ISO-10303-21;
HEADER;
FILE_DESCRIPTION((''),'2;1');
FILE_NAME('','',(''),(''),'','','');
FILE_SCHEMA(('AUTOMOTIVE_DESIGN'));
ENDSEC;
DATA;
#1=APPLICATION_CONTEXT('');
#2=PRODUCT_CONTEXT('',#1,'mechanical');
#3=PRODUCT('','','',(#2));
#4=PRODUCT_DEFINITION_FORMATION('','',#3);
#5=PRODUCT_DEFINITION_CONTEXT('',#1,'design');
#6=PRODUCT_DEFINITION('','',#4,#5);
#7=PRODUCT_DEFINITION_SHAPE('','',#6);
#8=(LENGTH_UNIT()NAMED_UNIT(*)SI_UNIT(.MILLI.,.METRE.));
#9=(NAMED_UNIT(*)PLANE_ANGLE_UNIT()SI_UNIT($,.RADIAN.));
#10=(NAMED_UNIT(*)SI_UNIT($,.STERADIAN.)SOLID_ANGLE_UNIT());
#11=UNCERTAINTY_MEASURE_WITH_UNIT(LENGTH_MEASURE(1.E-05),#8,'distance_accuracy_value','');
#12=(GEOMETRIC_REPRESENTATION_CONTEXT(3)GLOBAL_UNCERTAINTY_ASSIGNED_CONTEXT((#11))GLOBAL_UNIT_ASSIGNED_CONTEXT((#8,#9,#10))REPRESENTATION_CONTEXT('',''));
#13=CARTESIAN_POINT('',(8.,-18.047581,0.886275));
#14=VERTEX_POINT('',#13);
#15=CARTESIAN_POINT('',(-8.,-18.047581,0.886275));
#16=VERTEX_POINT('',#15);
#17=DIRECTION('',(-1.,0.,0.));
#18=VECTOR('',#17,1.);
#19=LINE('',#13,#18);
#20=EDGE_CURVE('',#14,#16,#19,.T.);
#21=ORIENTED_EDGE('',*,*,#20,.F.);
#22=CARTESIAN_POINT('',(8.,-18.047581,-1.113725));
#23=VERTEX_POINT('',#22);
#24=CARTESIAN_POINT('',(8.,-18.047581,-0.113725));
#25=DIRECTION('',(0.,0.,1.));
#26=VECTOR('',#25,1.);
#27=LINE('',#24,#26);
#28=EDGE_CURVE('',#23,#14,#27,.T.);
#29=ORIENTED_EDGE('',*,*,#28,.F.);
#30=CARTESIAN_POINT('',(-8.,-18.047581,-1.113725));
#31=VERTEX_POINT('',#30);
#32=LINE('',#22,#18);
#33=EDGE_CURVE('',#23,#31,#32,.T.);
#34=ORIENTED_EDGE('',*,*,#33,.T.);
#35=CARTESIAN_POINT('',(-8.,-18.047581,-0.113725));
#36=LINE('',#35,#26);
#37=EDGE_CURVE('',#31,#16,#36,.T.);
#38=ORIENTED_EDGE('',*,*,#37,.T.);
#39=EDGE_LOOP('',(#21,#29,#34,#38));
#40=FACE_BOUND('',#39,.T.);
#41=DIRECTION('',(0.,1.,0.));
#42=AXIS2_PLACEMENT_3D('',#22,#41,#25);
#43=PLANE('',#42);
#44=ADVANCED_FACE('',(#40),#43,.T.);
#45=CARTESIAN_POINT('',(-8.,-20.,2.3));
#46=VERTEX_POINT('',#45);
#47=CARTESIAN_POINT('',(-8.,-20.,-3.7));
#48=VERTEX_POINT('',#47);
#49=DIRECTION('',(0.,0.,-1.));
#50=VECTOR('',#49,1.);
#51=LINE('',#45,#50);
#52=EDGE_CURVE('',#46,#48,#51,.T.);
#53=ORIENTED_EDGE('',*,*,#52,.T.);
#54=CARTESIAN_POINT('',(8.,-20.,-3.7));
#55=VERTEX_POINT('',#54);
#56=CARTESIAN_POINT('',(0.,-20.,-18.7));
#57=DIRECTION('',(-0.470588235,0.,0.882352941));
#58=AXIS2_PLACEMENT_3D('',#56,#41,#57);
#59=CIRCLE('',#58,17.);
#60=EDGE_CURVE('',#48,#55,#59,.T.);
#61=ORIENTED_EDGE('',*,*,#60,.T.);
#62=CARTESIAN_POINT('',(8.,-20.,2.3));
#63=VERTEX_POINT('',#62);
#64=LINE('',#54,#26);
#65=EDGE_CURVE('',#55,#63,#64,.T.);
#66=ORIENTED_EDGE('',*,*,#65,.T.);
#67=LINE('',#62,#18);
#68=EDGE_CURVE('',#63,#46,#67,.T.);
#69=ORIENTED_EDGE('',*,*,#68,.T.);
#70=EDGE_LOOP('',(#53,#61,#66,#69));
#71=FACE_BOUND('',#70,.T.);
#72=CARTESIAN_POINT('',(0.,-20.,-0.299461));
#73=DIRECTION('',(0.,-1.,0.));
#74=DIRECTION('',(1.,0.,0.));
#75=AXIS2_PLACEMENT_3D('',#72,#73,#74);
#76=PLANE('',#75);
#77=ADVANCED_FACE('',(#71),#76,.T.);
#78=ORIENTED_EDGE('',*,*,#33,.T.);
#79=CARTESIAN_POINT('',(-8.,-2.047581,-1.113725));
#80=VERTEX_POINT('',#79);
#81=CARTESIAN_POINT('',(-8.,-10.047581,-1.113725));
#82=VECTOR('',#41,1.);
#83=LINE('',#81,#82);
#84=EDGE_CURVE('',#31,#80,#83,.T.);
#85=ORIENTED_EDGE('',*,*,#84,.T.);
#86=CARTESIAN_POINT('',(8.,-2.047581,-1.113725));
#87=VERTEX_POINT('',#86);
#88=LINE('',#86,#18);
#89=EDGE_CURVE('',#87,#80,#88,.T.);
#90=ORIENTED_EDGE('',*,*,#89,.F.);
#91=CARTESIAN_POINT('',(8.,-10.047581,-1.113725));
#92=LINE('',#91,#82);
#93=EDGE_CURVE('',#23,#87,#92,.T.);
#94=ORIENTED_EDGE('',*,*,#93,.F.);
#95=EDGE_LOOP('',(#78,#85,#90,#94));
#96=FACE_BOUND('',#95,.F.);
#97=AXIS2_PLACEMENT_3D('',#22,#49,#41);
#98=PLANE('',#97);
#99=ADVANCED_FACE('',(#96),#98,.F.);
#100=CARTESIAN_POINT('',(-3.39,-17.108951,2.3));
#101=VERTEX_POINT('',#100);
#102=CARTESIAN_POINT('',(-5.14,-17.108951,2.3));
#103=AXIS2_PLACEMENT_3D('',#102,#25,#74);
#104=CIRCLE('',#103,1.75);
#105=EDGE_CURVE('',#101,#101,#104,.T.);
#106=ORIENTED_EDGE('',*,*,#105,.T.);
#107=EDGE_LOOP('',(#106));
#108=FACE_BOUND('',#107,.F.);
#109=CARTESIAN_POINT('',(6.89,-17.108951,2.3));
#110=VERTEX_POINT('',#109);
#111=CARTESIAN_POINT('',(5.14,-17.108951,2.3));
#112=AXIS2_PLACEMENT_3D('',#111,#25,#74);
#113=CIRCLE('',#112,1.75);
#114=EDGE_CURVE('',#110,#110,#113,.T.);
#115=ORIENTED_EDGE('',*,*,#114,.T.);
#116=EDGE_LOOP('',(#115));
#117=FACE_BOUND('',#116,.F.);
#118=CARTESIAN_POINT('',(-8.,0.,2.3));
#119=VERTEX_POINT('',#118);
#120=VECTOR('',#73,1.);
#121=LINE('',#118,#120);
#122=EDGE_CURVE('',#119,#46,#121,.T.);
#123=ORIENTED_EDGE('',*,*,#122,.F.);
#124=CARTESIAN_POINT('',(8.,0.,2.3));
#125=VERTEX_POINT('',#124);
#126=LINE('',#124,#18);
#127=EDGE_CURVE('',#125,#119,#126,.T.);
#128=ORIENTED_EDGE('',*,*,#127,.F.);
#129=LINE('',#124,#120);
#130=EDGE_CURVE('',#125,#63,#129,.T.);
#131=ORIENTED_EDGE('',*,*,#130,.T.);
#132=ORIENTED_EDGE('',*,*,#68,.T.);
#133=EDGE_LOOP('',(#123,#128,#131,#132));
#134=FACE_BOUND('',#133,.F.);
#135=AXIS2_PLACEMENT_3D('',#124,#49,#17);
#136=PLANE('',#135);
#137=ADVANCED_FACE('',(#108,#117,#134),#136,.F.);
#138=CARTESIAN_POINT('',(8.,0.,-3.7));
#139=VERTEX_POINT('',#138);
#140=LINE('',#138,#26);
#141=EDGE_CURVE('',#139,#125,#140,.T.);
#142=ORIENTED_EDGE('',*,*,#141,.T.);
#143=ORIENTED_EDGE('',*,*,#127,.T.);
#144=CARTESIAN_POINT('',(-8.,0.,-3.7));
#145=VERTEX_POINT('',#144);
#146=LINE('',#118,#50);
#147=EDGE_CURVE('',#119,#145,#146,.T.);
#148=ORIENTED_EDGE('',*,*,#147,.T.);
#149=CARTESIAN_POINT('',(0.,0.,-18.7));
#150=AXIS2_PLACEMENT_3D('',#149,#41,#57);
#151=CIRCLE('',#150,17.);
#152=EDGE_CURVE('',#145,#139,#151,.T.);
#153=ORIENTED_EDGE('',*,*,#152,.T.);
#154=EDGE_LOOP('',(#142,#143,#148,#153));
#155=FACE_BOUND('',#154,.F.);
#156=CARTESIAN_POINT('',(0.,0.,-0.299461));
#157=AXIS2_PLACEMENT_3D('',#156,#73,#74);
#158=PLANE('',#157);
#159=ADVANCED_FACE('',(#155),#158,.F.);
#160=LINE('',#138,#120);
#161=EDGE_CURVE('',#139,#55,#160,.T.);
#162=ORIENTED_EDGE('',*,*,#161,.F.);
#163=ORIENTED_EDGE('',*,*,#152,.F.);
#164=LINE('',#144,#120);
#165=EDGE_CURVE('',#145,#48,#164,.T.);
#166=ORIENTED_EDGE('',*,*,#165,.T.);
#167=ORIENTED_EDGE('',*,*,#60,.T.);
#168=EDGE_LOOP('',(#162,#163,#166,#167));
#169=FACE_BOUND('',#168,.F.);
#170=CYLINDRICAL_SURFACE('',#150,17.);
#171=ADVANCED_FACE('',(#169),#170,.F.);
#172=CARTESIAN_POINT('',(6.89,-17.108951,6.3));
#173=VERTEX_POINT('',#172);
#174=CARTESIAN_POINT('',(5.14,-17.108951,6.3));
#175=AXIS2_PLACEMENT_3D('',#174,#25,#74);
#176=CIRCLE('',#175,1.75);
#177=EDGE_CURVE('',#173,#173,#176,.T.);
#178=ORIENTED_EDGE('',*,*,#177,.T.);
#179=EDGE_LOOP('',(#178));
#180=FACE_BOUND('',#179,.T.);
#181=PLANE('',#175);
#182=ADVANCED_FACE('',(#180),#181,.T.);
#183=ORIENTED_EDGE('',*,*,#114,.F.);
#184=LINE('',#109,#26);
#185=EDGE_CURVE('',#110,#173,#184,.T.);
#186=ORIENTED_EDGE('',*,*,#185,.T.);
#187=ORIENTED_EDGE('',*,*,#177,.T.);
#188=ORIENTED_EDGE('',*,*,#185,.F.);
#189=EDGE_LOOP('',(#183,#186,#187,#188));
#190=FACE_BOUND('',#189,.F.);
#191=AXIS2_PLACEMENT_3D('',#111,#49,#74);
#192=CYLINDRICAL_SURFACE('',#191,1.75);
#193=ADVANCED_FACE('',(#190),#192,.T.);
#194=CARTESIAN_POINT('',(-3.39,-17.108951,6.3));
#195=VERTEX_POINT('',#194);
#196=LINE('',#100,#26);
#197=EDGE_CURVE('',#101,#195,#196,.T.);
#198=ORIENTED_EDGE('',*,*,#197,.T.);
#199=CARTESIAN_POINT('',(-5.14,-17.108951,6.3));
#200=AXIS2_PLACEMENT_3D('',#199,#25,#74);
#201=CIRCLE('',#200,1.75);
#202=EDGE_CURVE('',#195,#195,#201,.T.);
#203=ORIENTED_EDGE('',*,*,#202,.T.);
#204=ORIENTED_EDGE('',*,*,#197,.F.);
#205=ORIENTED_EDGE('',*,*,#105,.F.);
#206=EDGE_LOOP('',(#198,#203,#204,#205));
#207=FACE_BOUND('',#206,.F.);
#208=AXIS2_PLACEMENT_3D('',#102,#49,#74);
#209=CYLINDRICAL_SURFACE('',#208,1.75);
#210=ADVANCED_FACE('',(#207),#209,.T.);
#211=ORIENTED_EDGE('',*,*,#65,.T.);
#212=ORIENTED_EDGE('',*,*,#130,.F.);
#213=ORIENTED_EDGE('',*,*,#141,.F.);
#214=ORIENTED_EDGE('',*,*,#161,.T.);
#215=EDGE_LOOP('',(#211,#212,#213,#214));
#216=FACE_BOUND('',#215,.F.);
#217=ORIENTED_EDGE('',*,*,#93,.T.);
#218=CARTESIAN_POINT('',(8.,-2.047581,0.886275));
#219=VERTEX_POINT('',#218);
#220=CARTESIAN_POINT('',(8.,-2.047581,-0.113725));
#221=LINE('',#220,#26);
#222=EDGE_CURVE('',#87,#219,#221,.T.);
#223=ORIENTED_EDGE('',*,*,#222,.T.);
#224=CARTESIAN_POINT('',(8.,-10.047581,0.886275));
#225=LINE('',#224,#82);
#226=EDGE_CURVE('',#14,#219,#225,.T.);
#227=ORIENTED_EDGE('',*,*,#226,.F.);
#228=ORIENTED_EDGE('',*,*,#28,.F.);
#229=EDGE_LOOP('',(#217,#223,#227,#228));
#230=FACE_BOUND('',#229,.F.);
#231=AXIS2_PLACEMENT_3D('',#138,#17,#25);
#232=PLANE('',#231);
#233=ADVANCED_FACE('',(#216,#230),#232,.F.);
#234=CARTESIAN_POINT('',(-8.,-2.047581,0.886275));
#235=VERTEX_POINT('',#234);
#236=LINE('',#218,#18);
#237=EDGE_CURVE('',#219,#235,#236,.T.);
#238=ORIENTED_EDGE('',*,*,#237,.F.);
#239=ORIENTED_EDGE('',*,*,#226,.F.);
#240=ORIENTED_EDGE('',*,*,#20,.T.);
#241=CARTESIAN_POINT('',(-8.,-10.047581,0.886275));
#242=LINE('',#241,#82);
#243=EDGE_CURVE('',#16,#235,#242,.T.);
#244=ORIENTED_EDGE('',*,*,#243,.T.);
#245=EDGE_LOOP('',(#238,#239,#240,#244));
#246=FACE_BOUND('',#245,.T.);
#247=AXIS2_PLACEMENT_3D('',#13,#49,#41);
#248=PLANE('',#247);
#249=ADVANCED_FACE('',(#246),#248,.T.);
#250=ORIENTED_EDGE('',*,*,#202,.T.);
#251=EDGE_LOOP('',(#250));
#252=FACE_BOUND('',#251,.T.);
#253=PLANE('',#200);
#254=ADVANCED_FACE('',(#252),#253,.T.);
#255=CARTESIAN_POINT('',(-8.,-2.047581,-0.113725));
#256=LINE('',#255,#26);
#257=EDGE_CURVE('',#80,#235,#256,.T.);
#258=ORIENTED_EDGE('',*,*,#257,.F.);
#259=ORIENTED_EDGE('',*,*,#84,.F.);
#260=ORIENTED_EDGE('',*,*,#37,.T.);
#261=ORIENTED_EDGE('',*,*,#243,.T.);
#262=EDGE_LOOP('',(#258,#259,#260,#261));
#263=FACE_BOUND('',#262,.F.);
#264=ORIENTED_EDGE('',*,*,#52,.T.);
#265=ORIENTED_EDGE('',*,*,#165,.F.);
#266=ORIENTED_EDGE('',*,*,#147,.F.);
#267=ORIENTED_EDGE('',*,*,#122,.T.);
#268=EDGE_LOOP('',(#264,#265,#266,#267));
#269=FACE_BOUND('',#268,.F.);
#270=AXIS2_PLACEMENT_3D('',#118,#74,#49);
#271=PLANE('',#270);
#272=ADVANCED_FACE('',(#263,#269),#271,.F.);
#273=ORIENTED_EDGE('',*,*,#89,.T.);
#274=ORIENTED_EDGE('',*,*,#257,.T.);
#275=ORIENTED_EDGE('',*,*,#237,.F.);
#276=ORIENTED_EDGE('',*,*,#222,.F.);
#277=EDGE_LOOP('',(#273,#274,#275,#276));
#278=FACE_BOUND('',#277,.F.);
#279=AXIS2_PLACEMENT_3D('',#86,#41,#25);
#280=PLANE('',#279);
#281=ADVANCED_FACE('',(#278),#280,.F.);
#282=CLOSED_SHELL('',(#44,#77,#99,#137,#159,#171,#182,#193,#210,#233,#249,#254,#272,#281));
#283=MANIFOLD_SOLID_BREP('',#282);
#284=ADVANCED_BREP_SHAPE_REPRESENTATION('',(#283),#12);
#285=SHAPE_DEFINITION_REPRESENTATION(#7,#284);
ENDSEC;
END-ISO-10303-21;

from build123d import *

# Parameters (mm, degrees)
F1_DEPTH = 20
F2_W     = 16
F2_H     = 2
F3_DEPTH = 16
F4_R     = 1.75
F5_DEPTH = 4


with BuildPart() as f1:
    # F0 (on Front) → F1 (new body)
    with BuildSketch(Plane.XZ):
        with BuildLine():
            ThreePointArc((-8, -3.7), (0, -1.7), (8, -3.7))
            Line((8, -3.7), (8, 2.3))
            Line((8, 2.3), (-8, 2.3))
            Line((-8, 2.3), (-8, -3.7))
        make_face()
    extrude(amount=F1_DEPTH)

    # F2 (on face) → F3 (cut, through all)
    with BuildSketch(Plane.YZ.offset(8)):
        with Locations((-10.047581, -0.113725)):
            Rectangle(F2_W, F2_H)
    extrude(amount=-F3_DEPTH, mode=Mode.SUBTRACT)

    # F4 (on face) → F5 (join)
    with BuildSketch(Plane.XY.offset(2.3)):
        with Locations((-5.14, -17.108951)):
            Circle(F4_R)
        with Locations((5.14, -17.108951)):
            Circle(F4_R)
    extrude(amount=F5_DEPTH)


solid = f1.part
